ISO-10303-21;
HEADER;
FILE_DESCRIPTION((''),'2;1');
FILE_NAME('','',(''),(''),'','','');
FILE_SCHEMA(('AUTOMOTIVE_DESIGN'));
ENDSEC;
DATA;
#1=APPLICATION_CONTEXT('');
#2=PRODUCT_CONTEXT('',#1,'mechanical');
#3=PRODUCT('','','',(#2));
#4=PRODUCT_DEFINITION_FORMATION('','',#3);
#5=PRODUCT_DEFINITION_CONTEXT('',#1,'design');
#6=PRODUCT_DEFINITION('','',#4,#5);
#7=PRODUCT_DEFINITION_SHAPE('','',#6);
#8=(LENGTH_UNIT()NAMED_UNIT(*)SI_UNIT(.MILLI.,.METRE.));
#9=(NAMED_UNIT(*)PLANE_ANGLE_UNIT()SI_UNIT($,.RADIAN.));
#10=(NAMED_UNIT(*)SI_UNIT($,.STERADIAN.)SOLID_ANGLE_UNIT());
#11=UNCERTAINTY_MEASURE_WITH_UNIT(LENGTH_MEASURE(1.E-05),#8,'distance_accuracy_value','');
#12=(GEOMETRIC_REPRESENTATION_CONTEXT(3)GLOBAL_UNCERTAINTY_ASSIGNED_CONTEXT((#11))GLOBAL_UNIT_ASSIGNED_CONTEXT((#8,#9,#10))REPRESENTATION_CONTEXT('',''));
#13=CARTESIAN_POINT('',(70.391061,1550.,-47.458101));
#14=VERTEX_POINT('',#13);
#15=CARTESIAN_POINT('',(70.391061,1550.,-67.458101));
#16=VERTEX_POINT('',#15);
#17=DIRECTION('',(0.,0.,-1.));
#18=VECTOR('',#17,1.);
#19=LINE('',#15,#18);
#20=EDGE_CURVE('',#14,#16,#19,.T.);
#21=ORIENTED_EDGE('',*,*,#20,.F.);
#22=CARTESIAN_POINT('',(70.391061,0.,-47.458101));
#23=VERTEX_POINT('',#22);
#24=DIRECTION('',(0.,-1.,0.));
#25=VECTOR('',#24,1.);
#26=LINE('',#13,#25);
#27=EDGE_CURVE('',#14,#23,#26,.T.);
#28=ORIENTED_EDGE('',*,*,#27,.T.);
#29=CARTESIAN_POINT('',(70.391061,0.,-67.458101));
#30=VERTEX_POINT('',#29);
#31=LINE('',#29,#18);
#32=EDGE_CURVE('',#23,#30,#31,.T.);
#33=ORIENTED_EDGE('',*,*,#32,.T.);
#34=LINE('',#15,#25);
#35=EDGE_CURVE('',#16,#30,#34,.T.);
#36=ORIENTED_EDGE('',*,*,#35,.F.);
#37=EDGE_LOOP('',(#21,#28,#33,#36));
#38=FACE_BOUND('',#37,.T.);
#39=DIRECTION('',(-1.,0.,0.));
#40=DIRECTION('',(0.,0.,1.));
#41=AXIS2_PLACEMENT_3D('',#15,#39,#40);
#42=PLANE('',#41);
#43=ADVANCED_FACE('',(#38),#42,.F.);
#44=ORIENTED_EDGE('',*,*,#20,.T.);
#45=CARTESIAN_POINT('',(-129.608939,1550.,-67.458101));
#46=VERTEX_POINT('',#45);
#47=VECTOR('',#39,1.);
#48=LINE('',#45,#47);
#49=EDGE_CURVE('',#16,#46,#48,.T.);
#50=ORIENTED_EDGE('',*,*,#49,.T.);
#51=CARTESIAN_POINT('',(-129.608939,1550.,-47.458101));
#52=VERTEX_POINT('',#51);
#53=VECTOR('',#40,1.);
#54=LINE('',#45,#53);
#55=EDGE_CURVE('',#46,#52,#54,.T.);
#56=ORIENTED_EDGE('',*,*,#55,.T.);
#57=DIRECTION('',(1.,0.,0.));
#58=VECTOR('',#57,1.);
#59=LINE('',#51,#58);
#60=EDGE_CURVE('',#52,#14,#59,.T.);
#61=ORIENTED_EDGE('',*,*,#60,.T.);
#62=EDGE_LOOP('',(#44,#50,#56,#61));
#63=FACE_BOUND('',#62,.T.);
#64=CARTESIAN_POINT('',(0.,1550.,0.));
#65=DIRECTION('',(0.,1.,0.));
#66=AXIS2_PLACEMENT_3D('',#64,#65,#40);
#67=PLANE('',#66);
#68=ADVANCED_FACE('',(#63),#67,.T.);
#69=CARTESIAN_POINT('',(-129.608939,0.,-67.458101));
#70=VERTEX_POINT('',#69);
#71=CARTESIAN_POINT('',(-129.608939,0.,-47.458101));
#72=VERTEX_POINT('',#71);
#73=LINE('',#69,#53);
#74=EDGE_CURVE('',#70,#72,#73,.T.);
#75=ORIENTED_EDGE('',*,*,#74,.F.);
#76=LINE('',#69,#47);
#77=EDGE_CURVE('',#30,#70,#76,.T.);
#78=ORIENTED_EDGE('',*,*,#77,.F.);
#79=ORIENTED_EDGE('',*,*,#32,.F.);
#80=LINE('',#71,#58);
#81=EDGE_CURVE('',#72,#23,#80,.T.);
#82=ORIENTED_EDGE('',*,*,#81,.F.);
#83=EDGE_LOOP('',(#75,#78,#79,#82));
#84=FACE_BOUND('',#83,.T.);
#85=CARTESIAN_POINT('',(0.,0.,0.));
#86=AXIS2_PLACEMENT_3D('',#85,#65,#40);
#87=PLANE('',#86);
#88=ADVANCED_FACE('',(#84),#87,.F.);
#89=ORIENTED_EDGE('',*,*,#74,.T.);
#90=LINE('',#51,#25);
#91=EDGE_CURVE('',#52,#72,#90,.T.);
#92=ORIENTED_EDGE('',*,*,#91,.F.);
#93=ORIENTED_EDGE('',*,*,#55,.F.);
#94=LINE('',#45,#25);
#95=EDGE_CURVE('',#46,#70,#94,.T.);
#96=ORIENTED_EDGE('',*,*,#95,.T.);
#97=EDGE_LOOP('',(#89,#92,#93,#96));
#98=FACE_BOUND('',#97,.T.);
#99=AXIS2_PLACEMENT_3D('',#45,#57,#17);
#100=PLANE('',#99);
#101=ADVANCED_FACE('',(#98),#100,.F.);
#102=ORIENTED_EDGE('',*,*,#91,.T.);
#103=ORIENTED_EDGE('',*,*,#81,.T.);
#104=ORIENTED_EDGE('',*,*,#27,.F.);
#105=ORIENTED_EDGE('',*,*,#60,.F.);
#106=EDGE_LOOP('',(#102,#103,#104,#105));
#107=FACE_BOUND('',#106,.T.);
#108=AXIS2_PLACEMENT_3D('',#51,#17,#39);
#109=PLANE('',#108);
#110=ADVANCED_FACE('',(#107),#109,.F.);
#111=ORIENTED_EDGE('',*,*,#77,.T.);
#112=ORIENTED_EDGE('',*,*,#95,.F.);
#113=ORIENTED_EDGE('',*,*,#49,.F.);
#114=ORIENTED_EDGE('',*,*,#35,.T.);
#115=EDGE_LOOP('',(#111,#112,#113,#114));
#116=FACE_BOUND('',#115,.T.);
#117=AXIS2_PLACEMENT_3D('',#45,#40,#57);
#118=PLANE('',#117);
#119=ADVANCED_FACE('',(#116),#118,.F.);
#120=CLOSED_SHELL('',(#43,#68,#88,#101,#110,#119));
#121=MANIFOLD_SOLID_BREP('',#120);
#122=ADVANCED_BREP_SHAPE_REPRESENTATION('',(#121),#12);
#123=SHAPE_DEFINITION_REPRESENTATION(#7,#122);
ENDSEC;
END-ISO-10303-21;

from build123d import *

# Parameters (mm, degrees)
ESBO_O1_W                = 200
ESBO_O1_H                = 20
RESSALTO_EXTRUS_O1_DEPTH = 1550


with BuildPart() as part:
    # Esboço1 → Ressalto-extrusão1 (new body)
    with BuildSketch(Plane(origin=(0, 0, 0), x_dir=(1, 0, 0), z_dir=(0, 1, 0))):
        with Locations((-29.608938547, 57.458100559)):
            Rectangle(ESBO_O1_W, ESBO_O1_H)
    extrude(amount=RESSALTO_EXTRUS_O1_DEPTH)


solid = part.part
